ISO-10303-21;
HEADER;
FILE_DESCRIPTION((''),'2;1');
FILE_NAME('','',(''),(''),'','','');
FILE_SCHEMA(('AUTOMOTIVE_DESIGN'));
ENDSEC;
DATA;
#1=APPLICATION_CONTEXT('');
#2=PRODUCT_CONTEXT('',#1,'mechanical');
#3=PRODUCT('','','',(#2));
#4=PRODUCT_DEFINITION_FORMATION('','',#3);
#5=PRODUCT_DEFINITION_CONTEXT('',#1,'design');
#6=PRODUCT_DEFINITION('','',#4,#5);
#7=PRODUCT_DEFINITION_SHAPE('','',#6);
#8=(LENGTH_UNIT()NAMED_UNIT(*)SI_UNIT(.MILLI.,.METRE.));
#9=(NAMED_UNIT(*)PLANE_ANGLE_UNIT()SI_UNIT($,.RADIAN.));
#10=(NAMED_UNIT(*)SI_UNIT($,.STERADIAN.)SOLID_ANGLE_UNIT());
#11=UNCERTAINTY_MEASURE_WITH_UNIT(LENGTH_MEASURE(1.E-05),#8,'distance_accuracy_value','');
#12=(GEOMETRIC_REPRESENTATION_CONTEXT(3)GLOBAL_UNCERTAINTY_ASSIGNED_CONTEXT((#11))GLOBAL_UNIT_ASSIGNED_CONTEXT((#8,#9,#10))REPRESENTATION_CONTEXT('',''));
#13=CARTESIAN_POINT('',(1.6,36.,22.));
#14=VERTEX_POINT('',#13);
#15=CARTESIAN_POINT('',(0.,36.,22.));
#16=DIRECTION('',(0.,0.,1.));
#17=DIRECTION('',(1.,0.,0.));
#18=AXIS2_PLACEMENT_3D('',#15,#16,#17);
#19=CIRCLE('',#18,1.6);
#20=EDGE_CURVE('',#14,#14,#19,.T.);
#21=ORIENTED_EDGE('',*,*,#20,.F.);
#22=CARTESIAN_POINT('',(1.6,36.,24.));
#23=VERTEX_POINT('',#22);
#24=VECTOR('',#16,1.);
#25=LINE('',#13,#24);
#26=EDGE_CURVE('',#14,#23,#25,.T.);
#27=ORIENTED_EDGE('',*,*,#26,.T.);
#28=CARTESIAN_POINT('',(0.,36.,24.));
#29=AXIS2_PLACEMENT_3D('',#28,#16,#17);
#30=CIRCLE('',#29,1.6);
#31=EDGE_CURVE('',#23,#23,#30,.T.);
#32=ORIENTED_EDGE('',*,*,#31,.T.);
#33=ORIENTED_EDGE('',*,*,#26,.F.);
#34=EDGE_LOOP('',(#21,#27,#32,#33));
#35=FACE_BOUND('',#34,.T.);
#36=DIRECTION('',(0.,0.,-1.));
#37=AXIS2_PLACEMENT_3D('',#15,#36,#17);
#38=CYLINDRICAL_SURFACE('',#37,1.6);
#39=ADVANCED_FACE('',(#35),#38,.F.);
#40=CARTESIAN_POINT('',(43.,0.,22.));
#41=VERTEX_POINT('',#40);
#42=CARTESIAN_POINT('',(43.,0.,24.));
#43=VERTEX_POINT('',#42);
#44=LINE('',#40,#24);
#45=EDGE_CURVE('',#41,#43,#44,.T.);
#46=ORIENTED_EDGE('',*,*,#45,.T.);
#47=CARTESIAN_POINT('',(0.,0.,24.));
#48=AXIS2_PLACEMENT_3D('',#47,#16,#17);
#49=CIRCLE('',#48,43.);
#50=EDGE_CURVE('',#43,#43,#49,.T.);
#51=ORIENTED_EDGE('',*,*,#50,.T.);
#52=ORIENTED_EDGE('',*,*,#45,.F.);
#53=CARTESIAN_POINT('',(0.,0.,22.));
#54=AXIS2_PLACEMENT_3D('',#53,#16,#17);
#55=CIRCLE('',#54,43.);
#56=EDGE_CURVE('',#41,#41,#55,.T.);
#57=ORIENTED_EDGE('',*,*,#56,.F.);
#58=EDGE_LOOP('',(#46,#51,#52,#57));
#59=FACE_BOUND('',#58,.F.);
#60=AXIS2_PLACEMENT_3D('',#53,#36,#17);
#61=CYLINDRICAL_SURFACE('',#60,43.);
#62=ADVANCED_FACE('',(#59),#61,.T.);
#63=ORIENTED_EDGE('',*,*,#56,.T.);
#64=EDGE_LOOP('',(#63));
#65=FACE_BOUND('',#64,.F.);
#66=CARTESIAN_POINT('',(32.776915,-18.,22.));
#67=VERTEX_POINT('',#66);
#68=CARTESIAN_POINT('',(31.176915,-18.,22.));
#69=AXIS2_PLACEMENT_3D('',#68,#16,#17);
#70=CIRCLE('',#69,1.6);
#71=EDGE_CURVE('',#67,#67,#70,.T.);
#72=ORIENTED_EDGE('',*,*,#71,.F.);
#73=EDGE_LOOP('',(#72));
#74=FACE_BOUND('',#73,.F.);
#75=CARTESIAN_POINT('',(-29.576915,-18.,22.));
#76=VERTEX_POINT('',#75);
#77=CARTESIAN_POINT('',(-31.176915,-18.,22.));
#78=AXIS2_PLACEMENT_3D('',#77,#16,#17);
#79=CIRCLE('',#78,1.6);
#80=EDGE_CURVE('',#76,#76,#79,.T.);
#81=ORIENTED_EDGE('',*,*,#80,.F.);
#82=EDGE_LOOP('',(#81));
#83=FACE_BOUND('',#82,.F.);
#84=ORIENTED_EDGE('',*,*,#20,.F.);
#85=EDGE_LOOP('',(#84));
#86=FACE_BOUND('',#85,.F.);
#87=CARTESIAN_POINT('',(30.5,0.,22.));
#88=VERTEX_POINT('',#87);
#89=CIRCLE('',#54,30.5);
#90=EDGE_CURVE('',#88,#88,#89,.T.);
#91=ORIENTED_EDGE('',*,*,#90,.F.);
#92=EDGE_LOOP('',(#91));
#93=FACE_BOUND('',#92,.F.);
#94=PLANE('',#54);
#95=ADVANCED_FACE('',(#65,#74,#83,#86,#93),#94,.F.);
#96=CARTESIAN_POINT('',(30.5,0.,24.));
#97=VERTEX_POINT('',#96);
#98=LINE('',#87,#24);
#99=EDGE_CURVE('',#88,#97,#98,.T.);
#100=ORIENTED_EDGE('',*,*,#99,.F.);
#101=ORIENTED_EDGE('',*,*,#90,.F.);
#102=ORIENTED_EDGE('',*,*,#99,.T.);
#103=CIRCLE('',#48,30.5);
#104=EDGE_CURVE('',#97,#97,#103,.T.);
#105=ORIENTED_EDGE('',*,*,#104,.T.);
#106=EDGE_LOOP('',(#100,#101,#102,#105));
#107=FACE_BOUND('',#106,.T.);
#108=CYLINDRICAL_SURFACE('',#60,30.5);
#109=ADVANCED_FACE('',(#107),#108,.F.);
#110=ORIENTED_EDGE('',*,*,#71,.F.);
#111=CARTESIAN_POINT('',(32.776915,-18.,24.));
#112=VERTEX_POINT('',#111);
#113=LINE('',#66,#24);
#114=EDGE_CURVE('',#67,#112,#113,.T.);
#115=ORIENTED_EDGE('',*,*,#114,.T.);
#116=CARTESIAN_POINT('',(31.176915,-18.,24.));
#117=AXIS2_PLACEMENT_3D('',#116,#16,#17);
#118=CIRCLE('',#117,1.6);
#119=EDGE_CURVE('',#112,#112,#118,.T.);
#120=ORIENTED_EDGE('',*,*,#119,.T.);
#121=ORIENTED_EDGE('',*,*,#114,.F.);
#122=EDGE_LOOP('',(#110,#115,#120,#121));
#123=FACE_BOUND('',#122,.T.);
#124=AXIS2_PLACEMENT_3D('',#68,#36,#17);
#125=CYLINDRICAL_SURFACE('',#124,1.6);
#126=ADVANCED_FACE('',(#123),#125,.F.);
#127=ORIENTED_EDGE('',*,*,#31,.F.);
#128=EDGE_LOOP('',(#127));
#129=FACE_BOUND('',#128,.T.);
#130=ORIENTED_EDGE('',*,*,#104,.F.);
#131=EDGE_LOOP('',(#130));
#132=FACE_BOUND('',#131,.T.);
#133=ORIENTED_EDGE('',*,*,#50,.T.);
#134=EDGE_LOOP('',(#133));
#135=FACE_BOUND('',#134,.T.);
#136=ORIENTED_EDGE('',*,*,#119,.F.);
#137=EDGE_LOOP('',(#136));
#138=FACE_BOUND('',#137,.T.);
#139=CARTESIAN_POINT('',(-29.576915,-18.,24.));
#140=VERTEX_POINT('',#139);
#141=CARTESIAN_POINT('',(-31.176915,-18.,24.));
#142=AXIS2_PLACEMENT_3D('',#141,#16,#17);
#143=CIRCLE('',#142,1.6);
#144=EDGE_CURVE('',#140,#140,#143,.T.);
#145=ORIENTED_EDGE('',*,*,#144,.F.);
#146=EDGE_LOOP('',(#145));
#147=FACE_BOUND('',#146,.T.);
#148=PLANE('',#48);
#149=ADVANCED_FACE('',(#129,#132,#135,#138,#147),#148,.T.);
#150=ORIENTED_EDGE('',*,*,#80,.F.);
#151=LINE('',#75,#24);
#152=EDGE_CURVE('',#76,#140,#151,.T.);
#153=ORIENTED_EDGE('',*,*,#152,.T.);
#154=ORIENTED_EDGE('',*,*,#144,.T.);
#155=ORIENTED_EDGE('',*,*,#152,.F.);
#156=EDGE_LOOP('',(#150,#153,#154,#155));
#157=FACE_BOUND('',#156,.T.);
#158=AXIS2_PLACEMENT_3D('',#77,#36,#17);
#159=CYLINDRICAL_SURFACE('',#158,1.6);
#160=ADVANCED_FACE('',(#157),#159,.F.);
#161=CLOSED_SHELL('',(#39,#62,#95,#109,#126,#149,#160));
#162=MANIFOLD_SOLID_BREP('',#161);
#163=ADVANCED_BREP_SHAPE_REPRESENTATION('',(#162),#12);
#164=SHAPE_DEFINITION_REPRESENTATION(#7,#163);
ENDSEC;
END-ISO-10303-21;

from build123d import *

# Parameters (mm, degrees)
SKETCH006_R   = 43
SKETCH006_R_2 = 1.6
SKETCH006_R_3 = 30.5
PAD_DEPTH     = 2


with BuildPart() as part:
    # Sketch006 → Pad (new body)
    with BuildSketch(Plane.XY.offset(22)):
        Circle(SKETCH006_R)
        with Locations((0, 36)):
            Circle(SKETCH006_R_2, mode=Mode.SUBTRACT)
        with Locations((31.176915, -18)):
            Circle(SKETCH006_R_2, mode=Mode.SUBTRACT)
        with Locations((-31.176915, -18)):
            Circle(SKETCH006_R_2, mode=Mode.SUBTRACT)
        Circle(SKETCH006_R_3, mode=Mode.SUBTRACT)
    extrude(amount=PAD_DEPTH)


solid = part.part
